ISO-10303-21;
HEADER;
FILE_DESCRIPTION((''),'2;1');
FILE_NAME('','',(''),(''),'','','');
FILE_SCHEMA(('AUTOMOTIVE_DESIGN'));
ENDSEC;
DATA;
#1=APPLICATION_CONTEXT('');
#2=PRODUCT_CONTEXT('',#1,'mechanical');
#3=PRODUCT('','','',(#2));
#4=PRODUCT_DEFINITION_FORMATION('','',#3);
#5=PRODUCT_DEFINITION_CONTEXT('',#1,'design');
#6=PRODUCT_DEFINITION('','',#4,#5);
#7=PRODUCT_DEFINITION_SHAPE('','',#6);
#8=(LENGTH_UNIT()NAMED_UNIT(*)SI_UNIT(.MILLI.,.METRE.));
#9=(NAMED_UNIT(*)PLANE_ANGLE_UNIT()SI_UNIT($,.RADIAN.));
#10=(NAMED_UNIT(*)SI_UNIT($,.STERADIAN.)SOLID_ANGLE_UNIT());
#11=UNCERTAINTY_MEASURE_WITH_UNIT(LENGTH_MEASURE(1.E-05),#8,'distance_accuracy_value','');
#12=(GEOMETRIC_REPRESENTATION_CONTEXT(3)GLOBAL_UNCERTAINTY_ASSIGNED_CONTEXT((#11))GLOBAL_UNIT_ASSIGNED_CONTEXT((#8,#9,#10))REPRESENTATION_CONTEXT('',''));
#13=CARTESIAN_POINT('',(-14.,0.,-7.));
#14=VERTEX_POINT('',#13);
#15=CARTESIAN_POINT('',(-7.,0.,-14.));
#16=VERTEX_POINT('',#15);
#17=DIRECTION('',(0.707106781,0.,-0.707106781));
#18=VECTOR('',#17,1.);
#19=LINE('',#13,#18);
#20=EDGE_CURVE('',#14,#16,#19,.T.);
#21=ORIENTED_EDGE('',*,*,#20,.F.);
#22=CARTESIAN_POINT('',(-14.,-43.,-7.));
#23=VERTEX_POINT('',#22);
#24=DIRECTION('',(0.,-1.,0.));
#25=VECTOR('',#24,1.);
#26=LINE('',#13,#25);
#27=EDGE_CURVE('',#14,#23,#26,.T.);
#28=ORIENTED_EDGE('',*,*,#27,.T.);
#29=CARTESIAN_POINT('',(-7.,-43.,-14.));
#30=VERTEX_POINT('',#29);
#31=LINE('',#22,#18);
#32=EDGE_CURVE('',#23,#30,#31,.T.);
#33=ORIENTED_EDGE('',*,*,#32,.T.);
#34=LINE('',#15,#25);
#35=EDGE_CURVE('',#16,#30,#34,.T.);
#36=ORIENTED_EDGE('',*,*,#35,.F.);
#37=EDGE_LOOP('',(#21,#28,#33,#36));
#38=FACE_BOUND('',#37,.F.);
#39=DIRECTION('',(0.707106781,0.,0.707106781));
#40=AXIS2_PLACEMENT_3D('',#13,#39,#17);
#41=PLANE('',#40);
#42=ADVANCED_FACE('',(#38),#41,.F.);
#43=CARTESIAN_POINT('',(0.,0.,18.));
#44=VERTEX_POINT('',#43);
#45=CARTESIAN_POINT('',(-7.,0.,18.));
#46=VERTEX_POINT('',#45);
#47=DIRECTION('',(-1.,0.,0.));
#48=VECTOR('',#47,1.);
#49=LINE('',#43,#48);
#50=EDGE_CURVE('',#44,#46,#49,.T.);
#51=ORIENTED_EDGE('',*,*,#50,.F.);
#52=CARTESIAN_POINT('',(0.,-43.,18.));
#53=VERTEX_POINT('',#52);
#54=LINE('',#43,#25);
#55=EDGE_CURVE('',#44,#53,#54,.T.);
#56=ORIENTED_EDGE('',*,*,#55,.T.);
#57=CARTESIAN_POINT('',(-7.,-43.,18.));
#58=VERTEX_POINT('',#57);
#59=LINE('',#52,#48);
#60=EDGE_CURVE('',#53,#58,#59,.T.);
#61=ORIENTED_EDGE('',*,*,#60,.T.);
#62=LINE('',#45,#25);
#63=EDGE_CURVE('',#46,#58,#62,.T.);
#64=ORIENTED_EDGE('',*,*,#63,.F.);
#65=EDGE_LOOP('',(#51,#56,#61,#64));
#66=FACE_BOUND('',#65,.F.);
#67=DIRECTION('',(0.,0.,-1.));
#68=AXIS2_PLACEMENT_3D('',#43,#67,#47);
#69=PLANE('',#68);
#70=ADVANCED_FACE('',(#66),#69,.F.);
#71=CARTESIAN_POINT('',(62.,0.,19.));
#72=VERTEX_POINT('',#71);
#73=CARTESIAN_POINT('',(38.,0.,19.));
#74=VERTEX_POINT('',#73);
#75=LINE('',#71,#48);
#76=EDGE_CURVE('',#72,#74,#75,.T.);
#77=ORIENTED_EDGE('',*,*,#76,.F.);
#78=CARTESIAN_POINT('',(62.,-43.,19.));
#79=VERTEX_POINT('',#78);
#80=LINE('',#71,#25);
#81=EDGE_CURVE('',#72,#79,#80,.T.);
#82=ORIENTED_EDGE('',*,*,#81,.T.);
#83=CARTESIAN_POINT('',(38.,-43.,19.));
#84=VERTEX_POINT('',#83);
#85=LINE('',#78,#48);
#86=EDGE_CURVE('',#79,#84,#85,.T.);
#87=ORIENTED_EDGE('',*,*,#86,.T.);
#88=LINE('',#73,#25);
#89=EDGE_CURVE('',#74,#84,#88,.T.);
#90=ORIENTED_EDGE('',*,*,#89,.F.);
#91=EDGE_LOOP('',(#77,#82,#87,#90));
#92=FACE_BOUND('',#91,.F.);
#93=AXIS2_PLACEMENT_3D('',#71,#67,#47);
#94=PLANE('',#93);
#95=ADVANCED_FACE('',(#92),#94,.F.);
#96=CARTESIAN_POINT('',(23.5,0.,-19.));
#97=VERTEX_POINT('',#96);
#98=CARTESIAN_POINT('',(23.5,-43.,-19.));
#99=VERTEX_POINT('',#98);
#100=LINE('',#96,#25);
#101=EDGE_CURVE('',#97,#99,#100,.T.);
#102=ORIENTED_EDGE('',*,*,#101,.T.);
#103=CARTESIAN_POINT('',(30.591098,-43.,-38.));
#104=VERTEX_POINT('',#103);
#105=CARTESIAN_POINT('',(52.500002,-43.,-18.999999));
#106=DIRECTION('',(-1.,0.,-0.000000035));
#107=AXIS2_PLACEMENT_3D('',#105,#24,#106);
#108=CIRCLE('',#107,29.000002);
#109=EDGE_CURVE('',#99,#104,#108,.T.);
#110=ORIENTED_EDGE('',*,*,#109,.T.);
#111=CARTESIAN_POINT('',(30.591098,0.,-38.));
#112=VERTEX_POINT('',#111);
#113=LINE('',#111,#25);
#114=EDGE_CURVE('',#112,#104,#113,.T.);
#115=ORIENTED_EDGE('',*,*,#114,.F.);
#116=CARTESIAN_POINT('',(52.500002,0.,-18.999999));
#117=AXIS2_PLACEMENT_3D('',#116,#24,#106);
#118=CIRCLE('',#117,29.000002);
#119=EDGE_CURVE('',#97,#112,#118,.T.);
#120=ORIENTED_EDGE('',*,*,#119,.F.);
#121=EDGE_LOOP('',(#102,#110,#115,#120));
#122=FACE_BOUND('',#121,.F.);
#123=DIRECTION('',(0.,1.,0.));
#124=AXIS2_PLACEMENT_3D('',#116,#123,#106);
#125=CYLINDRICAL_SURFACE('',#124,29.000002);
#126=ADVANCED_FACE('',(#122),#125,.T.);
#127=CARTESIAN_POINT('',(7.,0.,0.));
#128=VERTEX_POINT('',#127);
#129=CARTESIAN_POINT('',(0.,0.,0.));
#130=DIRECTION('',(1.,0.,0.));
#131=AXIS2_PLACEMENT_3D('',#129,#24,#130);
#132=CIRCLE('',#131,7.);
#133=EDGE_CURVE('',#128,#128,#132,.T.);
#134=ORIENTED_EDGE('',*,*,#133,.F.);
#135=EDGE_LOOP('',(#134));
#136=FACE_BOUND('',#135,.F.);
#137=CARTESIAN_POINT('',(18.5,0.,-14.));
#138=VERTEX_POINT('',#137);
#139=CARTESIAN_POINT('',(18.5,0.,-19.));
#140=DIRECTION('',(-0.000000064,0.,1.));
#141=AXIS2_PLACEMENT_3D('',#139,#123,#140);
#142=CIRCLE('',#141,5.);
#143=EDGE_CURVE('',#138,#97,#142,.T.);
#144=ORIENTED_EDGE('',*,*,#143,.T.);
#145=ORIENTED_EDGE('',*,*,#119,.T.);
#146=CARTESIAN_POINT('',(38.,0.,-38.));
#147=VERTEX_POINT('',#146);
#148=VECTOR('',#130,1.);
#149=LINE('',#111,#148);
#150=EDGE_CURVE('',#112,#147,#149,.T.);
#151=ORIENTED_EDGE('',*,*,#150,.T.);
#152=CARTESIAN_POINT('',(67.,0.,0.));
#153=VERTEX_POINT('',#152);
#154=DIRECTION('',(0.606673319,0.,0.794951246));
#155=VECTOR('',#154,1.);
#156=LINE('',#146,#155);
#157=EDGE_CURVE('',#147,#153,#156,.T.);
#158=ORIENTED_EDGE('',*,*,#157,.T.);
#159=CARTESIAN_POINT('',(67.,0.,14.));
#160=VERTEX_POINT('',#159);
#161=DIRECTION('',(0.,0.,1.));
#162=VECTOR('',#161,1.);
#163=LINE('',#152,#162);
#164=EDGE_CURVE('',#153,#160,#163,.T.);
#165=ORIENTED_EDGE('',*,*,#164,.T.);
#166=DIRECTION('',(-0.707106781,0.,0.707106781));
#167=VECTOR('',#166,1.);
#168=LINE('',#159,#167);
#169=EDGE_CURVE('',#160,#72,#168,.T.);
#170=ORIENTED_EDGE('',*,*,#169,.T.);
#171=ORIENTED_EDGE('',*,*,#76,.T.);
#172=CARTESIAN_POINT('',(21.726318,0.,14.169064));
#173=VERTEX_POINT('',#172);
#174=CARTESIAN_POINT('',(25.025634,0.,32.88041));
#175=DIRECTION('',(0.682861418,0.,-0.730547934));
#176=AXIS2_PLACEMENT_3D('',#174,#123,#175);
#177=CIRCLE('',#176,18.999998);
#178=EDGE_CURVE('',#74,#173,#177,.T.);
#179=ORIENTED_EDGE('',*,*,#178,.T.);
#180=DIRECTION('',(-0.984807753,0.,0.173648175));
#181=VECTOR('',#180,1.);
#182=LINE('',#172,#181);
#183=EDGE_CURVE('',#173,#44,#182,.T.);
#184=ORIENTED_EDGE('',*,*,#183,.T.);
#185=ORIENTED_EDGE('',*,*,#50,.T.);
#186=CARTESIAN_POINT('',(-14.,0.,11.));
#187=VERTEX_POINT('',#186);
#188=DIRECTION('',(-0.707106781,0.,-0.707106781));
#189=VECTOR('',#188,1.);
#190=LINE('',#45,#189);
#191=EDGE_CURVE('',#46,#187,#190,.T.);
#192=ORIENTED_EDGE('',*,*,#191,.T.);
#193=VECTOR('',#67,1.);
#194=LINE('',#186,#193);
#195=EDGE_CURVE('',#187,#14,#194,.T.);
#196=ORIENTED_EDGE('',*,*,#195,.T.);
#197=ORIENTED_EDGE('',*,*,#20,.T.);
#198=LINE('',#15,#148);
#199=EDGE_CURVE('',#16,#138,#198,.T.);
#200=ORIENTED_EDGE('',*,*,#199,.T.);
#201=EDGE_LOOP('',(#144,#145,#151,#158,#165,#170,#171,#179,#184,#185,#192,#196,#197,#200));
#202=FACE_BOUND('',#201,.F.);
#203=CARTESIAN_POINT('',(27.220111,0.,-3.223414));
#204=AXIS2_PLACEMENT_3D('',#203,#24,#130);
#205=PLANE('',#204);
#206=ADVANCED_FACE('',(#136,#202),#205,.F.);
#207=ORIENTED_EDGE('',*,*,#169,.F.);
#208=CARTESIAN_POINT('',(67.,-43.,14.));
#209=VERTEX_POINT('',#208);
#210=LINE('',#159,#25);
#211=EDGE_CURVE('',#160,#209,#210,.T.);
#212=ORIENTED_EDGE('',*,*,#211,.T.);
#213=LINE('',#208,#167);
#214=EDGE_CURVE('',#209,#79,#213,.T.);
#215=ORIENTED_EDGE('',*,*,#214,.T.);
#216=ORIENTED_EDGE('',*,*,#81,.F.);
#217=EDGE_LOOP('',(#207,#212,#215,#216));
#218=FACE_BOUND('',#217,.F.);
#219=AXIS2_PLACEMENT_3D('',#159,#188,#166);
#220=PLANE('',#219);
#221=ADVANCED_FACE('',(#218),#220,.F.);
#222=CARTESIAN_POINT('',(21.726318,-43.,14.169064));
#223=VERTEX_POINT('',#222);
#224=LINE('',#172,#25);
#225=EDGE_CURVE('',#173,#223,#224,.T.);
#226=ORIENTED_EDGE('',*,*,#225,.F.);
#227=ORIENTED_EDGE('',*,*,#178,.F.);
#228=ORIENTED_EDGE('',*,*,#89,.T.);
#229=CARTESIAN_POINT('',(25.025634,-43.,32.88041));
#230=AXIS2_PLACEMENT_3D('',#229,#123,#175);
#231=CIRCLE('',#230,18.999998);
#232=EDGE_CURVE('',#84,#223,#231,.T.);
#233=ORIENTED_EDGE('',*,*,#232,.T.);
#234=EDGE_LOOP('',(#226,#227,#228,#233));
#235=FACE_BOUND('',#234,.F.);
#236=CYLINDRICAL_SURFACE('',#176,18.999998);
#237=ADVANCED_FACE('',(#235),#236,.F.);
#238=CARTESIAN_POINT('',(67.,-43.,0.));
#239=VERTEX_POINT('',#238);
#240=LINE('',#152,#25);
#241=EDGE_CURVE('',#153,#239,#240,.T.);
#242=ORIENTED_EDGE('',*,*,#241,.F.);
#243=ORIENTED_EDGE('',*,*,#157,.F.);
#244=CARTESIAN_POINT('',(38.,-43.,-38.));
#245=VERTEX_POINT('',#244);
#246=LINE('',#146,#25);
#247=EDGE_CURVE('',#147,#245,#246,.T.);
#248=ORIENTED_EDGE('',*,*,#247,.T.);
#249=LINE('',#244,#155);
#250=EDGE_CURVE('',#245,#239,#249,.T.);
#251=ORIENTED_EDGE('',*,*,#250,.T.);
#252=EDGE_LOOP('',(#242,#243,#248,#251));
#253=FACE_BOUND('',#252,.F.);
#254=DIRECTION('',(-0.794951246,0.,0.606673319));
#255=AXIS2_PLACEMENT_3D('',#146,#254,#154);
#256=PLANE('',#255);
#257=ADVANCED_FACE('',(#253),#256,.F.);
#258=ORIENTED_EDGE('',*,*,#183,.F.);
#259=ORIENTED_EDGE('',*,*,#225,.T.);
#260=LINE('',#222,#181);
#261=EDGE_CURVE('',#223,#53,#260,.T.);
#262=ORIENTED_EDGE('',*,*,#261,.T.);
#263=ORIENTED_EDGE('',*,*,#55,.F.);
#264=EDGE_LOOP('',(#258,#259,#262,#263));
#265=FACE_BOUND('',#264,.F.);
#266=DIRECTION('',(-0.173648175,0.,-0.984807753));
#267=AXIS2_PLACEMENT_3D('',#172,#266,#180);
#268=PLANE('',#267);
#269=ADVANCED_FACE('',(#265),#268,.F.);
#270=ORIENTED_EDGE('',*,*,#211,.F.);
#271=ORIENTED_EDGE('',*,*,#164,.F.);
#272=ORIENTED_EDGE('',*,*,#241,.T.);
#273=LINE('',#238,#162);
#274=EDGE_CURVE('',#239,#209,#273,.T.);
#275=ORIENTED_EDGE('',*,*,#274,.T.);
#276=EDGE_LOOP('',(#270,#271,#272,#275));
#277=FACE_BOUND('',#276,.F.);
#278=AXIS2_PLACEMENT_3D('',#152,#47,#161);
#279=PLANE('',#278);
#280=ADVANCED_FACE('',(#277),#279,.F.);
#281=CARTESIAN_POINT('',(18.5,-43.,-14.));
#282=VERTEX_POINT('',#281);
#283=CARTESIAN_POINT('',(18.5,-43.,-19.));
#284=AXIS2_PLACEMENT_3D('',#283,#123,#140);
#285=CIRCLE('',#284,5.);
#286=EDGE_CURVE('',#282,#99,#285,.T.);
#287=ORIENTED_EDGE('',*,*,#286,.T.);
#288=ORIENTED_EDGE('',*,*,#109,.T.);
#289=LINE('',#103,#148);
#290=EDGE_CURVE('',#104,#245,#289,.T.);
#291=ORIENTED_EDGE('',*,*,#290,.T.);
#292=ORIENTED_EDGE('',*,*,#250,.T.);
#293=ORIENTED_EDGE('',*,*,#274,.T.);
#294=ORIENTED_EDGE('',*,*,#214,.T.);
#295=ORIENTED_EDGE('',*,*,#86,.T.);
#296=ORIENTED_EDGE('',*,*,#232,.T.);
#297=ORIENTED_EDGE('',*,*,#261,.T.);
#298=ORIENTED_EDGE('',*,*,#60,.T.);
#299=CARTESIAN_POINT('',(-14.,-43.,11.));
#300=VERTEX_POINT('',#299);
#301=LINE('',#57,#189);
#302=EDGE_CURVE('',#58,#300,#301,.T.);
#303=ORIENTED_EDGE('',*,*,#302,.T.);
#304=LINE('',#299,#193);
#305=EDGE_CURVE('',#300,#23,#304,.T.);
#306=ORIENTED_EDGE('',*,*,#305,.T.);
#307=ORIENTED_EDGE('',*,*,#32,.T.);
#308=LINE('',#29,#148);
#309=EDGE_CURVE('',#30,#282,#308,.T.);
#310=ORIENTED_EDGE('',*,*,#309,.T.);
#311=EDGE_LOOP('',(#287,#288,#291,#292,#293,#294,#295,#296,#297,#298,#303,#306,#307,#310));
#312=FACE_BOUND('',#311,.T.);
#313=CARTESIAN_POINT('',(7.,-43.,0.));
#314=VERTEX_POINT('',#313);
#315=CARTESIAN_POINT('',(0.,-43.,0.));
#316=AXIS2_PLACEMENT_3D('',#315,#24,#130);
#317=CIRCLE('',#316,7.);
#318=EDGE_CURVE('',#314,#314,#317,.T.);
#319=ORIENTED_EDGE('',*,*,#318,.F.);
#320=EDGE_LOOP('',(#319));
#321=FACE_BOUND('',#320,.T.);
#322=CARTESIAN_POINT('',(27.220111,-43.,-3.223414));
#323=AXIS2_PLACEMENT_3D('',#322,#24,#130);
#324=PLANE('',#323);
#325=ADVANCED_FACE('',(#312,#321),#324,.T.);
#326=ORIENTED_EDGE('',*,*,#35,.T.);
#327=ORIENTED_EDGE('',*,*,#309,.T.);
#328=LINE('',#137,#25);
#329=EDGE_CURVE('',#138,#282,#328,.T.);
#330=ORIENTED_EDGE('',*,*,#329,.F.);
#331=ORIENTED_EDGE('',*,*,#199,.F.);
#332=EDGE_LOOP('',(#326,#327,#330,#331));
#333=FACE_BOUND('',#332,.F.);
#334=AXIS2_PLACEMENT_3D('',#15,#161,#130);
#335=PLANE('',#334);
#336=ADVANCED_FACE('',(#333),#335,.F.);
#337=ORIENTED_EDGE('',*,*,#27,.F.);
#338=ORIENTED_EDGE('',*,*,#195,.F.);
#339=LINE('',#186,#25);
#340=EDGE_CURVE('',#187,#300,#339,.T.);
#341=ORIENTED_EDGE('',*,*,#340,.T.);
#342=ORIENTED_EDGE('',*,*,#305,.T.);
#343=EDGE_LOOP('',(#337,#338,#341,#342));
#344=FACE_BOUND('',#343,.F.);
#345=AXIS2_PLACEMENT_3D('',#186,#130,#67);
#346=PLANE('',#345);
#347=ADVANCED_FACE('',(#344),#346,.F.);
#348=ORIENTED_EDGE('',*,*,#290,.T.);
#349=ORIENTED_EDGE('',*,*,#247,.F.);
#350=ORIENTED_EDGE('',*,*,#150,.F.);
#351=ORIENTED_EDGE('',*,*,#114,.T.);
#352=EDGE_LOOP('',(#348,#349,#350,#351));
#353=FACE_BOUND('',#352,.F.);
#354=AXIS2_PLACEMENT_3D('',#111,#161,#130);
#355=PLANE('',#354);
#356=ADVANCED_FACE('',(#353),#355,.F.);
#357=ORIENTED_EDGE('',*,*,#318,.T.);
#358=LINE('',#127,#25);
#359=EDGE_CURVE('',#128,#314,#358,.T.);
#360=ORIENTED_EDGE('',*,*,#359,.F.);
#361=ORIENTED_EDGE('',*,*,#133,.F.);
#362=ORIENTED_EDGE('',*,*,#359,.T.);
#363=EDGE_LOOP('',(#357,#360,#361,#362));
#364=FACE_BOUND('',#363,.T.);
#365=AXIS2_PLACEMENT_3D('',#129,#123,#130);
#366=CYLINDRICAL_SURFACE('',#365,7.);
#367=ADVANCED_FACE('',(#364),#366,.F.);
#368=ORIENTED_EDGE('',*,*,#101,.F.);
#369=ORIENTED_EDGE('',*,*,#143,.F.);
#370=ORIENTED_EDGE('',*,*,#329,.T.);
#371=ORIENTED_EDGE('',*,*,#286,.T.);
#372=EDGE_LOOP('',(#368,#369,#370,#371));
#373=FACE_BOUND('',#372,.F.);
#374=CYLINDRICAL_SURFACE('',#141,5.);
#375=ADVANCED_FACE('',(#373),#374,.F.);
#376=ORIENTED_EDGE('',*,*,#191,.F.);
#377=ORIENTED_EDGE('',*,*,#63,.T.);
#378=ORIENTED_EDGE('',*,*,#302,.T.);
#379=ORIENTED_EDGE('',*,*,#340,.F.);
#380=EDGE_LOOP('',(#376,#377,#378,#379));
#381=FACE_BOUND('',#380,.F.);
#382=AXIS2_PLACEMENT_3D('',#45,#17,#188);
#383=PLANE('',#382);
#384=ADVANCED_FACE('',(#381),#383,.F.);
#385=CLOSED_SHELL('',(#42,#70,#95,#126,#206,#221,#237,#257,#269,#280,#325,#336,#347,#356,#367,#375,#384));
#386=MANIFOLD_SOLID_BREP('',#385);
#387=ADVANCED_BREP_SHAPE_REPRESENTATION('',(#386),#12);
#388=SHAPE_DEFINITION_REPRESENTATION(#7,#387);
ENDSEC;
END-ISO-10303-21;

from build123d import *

# Parameters (mm, degrees)
F0_R     = 7
F1_DEPTH = 43


with BuildPart() as f1:
    # F0 (on Front) → F1 (new body)
    with BuildSketch(Plane.XZ):
        with BuildLine():
            Line((38, -38), (67, 0))
            Line((67, 0), (67, 14))
            Line((67, 14), (62, 19))
            Line((62, 19), (38, 19))
            ThreePointArc((38, 19), (30.432679, 14.666025), (21.726318, 14.169064))
            Line((21.726318, 14.169064), (0, 18))
            Line((0, 18), (-7, 18))
            Line((-7, 18), (-14, 11))
            Line((-14, 11), (-14, -7))
            Line((-14, -7), (-7, -14))
            Line((-7, -14), (18.5, -14))
            ThreePointArc((18.5, -14), (22.035534, -15.464466), (23.5, -19))
            ThreePointArc((23.5, -19), (25.330549, -29.140065), (30.591098, -38))
            Line((30.591098, -38), (38, -38))
        make_face()
        Circle(F0_R, mode=Mode.SUBTRACT)
    extrude(amount=F1_DEPTH)


solid = f1.part
